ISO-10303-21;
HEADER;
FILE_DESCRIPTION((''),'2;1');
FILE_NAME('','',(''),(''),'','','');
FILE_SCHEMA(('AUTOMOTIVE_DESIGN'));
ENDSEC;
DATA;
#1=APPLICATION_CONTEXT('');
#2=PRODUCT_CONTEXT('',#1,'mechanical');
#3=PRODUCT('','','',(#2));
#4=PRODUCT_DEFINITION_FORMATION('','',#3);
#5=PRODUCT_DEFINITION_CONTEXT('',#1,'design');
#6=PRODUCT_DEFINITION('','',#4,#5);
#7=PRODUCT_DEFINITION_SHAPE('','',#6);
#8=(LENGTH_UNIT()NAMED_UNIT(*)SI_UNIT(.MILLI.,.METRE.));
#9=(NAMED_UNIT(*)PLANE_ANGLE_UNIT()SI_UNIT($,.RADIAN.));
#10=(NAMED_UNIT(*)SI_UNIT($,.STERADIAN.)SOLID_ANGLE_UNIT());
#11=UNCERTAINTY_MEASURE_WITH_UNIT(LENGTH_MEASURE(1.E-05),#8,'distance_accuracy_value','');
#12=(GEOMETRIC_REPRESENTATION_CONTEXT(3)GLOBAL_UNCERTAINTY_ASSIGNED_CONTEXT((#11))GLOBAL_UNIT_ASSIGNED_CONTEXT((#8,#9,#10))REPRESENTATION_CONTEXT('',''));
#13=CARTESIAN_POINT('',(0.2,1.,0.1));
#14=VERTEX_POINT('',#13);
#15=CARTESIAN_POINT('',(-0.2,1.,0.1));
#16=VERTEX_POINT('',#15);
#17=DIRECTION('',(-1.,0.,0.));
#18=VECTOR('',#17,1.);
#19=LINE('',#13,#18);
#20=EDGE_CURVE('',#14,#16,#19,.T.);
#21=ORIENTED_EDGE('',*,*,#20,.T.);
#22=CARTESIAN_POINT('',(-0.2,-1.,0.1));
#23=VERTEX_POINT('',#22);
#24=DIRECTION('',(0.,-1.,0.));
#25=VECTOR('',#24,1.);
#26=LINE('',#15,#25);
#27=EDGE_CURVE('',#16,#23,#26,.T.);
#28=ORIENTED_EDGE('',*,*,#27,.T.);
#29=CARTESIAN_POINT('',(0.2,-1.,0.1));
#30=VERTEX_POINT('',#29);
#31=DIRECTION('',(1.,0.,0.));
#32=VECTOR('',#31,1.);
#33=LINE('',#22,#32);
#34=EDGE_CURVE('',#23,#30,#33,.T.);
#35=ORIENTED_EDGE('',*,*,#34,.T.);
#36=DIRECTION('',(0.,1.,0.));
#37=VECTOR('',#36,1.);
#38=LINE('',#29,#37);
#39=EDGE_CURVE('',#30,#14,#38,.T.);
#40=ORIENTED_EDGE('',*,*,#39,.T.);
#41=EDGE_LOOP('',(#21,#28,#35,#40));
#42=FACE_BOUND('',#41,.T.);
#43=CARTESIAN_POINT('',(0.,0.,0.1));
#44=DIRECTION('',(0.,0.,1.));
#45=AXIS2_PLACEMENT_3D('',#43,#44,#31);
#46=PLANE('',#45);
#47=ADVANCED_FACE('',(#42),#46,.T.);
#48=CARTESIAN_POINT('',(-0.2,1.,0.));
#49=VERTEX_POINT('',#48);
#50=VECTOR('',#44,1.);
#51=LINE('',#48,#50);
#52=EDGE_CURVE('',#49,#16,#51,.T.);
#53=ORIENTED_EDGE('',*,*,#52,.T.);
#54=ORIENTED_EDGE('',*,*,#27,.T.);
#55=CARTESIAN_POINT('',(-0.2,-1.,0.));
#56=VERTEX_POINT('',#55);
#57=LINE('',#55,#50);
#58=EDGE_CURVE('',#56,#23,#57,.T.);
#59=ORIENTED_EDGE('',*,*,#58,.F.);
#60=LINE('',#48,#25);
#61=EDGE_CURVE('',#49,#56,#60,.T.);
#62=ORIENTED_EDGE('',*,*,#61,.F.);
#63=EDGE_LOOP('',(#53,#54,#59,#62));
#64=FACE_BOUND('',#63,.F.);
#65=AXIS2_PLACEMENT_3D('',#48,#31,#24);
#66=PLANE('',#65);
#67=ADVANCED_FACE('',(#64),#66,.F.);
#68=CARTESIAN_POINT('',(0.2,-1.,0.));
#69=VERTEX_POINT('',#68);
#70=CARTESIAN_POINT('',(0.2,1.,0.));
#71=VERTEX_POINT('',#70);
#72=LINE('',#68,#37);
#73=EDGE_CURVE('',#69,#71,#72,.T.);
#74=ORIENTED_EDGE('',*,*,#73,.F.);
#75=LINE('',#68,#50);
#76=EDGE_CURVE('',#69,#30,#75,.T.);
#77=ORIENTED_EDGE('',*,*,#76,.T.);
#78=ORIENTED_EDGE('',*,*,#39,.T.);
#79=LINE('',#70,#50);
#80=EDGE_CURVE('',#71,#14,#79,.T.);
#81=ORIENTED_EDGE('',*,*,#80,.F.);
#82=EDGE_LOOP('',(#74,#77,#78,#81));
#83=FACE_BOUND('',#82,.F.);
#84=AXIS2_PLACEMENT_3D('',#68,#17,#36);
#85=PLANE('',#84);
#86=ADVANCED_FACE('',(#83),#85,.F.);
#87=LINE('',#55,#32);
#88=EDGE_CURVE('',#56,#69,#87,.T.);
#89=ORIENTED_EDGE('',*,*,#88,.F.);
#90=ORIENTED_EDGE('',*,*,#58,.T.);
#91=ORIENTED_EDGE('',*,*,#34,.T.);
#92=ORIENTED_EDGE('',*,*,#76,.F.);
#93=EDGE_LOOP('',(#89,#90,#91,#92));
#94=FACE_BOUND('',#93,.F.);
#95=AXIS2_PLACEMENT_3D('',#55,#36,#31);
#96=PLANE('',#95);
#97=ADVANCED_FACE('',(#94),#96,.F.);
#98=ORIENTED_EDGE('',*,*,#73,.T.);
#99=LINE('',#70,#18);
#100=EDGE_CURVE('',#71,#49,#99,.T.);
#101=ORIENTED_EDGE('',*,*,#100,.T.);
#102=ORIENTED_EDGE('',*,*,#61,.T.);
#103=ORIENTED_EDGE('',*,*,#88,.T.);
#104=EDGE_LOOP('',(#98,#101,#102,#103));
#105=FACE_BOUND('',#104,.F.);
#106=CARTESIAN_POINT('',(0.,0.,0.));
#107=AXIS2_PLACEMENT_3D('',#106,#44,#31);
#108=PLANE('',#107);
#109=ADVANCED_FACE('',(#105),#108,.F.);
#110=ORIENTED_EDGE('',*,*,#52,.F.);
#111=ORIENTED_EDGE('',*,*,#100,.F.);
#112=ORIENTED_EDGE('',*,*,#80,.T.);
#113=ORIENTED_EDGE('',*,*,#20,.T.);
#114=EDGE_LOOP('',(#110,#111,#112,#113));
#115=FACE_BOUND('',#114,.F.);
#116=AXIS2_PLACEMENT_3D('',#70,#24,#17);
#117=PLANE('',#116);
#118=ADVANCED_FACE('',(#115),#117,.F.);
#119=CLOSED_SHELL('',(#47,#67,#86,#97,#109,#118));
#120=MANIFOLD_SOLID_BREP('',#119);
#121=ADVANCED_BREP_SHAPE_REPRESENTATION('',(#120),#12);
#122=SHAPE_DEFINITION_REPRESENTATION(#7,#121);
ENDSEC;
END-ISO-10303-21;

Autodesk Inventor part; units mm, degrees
ref_plane "YZ Plane" through (0, 0, 0) normal (1, 0, 0) x (0, 1, 0)
ref_plane "XZ Plane" through (0, 0, 0) normal (0, 1, 0) x (-1, 0, 0)
ref_plane "XY Plane" through (0, 0, 0) normal (0, 0, 1) x (1, 0, 0)
sketch "Schizzo1" plane through (0, 0, 0) normal (0, 0, 1) x (1, 0, 0)
  line L0 (0.2, 1) -> (-0.2, 1)
  line L1 (-0.2, 1) -> (-0.2, -1)
  line L2 (-0.2, -1) -> (0.2, -1)
  line L3 (0.2, -1) -> (0.2, 1)
  line L4 (0.2, 1) -> (-0.2, -1) construction
  line L5 (-0.2, 1) -> (0.2, -1) construction
  point P0 (0, 0)
  dimension "d0" = 0.4
  dimension "d1" = 2
extrude "Estrusione1" add sketch "Schizzo1" along normal blind 0.1
properties part number "Linear_guide"
